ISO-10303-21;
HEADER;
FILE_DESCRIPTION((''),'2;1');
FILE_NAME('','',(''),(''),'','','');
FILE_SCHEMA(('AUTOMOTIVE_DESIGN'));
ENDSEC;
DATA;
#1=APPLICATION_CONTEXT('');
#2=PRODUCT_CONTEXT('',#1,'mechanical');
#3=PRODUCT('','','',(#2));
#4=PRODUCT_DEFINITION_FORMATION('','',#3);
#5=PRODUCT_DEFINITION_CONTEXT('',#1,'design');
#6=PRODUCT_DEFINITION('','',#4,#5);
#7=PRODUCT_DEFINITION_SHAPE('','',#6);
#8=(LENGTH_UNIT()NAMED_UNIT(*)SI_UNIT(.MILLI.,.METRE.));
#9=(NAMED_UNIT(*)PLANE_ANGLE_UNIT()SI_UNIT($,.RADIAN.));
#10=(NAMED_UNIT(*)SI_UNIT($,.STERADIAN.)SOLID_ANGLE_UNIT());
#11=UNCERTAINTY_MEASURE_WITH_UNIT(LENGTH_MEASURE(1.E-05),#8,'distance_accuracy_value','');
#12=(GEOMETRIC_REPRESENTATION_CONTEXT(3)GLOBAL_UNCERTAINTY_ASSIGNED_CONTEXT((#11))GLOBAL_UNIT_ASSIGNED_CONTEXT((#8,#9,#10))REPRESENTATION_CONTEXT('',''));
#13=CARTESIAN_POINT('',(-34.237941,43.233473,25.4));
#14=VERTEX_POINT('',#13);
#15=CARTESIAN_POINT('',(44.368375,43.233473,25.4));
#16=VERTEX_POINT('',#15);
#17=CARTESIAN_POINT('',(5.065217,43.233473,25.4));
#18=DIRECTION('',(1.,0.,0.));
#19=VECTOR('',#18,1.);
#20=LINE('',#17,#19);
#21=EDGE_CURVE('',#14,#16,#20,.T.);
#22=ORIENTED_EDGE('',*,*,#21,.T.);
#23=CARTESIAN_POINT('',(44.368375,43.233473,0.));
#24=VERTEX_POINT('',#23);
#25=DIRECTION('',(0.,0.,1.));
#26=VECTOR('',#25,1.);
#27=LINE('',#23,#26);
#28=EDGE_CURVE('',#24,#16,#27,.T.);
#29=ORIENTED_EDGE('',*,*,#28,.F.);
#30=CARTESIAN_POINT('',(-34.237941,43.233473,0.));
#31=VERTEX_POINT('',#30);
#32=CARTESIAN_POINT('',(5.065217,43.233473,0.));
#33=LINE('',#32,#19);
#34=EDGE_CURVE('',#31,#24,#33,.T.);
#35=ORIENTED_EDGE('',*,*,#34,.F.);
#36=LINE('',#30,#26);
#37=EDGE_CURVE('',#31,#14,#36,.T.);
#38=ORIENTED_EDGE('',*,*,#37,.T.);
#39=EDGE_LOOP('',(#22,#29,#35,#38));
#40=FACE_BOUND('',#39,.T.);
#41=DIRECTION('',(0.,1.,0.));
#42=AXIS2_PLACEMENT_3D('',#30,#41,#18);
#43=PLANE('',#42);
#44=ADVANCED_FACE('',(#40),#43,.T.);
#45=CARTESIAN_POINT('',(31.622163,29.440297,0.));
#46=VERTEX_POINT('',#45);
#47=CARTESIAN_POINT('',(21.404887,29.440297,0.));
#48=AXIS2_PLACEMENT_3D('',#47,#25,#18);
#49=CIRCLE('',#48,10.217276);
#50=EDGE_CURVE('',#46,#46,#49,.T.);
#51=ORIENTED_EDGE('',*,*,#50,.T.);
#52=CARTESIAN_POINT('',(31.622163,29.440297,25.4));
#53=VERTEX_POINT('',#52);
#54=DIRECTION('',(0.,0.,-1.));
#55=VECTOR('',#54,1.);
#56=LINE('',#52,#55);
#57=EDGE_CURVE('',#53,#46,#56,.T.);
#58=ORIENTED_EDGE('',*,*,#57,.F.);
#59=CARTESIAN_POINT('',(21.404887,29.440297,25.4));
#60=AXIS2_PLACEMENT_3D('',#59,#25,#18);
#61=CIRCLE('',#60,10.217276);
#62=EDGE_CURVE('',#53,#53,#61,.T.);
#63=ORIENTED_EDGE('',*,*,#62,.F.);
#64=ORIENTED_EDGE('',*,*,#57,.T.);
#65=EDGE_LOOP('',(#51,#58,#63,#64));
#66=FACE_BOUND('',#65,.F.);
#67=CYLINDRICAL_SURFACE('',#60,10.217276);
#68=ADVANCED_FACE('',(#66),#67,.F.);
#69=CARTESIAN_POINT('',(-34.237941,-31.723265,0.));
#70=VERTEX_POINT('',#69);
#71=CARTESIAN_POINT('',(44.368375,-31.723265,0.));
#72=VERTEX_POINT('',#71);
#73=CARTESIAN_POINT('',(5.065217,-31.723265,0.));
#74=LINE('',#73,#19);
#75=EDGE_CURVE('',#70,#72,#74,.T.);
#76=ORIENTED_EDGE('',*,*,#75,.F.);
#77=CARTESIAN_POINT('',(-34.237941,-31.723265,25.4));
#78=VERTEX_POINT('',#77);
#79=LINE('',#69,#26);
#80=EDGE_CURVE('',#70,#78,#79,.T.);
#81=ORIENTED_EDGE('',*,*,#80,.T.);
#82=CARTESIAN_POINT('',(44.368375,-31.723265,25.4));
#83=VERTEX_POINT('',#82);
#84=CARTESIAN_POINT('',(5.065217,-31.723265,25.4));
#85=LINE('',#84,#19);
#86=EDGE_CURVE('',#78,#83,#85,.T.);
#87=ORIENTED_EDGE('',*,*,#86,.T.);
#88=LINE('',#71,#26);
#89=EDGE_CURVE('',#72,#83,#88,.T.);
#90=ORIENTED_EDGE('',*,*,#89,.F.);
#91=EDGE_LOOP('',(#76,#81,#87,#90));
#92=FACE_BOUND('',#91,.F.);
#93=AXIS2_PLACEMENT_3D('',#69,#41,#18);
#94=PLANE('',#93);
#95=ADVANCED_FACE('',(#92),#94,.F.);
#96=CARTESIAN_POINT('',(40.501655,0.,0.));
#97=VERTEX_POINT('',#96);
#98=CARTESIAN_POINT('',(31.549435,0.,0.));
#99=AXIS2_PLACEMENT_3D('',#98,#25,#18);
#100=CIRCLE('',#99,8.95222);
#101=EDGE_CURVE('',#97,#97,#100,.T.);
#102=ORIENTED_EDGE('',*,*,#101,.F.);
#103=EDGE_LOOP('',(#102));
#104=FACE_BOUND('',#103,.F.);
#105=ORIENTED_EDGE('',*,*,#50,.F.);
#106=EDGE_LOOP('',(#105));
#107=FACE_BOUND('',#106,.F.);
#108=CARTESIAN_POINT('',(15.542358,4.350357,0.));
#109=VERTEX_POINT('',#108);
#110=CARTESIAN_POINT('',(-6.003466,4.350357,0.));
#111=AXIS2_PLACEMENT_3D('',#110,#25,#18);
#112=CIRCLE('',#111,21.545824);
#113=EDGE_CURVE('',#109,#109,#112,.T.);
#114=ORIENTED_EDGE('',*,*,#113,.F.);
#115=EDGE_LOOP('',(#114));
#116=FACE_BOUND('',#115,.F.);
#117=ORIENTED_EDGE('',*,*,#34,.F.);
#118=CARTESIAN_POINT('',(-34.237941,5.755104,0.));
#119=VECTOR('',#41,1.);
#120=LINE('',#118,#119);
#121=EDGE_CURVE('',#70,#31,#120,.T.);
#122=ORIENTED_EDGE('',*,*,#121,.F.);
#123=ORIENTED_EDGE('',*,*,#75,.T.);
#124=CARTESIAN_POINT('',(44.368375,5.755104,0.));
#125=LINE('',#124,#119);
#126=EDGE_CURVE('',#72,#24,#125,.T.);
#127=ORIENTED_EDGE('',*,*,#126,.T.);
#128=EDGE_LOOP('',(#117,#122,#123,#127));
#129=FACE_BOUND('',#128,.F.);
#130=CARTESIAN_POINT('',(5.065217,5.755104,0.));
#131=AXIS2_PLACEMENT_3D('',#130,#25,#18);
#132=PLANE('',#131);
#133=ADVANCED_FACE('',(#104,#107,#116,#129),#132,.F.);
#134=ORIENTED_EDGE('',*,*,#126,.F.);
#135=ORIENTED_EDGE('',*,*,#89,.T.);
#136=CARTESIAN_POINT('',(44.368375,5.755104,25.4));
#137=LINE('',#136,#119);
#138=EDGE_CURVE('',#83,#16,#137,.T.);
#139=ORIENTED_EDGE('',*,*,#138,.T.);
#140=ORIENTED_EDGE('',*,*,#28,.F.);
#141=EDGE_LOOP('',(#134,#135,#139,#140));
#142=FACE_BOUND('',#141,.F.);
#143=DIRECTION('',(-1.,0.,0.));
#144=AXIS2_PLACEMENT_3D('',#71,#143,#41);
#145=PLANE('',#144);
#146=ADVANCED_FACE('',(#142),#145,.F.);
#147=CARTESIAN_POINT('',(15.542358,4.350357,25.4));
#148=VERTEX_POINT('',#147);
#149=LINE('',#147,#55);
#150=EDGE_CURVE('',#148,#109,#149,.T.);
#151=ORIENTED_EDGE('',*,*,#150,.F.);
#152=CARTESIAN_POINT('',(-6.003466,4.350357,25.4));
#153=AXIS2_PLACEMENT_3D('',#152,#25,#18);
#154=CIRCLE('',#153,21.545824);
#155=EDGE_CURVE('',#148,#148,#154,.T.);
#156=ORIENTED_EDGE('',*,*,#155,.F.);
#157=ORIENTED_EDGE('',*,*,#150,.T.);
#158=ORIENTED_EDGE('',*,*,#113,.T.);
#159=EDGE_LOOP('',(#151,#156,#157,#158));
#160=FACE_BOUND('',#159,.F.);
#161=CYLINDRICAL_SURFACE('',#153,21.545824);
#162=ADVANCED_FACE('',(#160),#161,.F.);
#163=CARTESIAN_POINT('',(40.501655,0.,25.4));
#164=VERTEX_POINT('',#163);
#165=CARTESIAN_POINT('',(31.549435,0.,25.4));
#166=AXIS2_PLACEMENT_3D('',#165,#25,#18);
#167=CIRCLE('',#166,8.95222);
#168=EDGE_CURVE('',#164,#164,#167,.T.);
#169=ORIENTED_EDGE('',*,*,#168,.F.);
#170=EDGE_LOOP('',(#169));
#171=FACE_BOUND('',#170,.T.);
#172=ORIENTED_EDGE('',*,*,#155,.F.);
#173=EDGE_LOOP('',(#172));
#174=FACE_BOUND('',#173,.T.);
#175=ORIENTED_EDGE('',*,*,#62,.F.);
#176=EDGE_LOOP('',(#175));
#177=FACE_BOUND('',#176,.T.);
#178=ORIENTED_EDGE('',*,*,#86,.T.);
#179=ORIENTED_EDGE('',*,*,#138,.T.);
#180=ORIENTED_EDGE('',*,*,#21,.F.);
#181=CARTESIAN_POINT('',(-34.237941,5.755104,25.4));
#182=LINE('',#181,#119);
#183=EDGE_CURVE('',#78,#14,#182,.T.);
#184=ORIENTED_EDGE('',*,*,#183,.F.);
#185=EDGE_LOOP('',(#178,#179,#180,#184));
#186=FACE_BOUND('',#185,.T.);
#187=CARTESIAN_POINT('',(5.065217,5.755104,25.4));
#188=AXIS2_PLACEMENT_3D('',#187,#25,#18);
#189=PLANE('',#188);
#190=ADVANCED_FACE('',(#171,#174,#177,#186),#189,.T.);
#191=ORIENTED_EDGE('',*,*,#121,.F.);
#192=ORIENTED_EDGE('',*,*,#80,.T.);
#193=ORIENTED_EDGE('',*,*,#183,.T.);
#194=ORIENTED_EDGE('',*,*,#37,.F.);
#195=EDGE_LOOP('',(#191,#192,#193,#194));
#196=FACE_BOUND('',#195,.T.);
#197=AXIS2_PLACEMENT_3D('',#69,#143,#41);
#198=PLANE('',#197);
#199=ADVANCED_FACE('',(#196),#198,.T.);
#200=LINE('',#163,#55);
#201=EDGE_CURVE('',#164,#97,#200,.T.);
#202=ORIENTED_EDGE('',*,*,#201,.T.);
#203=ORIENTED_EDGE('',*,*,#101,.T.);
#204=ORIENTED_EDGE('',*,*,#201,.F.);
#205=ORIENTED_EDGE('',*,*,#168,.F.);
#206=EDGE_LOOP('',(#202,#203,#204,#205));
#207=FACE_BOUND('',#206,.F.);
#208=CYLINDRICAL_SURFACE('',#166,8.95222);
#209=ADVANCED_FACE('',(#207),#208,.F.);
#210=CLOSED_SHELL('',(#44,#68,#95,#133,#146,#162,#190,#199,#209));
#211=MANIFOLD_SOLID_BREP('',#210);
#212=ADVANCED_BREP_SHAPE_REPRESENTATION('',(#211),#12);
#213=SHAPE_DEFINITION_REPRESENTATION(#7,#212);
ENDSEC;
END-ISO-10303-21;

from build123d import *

# Parameters (mm, degrees)
F0_W     = 78.606315
F0_H     = 74.956738
F1_DEPTH = 25.4
F2_R     = 21.545824
F2_R_2   = 10.217276
F2_R_3   = 8.95222
F3_DEPTH = 25.4


with BuildPart() as f1:
    # F0 (on Top) → F1 (new body)
    with BuildSketch(Plane.XY):
        with Locations((5.065217, 5.755104)):
            Rectangle(F0_W, F0_H)
    extrude(amount=F1_DEPTH)

    # F2 (on face) → F3 (cut, through all)
    with BuildSketch(Plane.XY.offset(25.4)):
        with Locations((-6.003466, 4.350357)):
            Circle(F2_R)
        with Locations((21.404887, 29.440297)):
            Circle(F2_R_2)
        with Locations((31.549435, 0)):
            Circle(F2_R_3)
    extrude(amount=-F3_DEPTH, mode=Mode.SUBTRACT)


solid = f1.part
